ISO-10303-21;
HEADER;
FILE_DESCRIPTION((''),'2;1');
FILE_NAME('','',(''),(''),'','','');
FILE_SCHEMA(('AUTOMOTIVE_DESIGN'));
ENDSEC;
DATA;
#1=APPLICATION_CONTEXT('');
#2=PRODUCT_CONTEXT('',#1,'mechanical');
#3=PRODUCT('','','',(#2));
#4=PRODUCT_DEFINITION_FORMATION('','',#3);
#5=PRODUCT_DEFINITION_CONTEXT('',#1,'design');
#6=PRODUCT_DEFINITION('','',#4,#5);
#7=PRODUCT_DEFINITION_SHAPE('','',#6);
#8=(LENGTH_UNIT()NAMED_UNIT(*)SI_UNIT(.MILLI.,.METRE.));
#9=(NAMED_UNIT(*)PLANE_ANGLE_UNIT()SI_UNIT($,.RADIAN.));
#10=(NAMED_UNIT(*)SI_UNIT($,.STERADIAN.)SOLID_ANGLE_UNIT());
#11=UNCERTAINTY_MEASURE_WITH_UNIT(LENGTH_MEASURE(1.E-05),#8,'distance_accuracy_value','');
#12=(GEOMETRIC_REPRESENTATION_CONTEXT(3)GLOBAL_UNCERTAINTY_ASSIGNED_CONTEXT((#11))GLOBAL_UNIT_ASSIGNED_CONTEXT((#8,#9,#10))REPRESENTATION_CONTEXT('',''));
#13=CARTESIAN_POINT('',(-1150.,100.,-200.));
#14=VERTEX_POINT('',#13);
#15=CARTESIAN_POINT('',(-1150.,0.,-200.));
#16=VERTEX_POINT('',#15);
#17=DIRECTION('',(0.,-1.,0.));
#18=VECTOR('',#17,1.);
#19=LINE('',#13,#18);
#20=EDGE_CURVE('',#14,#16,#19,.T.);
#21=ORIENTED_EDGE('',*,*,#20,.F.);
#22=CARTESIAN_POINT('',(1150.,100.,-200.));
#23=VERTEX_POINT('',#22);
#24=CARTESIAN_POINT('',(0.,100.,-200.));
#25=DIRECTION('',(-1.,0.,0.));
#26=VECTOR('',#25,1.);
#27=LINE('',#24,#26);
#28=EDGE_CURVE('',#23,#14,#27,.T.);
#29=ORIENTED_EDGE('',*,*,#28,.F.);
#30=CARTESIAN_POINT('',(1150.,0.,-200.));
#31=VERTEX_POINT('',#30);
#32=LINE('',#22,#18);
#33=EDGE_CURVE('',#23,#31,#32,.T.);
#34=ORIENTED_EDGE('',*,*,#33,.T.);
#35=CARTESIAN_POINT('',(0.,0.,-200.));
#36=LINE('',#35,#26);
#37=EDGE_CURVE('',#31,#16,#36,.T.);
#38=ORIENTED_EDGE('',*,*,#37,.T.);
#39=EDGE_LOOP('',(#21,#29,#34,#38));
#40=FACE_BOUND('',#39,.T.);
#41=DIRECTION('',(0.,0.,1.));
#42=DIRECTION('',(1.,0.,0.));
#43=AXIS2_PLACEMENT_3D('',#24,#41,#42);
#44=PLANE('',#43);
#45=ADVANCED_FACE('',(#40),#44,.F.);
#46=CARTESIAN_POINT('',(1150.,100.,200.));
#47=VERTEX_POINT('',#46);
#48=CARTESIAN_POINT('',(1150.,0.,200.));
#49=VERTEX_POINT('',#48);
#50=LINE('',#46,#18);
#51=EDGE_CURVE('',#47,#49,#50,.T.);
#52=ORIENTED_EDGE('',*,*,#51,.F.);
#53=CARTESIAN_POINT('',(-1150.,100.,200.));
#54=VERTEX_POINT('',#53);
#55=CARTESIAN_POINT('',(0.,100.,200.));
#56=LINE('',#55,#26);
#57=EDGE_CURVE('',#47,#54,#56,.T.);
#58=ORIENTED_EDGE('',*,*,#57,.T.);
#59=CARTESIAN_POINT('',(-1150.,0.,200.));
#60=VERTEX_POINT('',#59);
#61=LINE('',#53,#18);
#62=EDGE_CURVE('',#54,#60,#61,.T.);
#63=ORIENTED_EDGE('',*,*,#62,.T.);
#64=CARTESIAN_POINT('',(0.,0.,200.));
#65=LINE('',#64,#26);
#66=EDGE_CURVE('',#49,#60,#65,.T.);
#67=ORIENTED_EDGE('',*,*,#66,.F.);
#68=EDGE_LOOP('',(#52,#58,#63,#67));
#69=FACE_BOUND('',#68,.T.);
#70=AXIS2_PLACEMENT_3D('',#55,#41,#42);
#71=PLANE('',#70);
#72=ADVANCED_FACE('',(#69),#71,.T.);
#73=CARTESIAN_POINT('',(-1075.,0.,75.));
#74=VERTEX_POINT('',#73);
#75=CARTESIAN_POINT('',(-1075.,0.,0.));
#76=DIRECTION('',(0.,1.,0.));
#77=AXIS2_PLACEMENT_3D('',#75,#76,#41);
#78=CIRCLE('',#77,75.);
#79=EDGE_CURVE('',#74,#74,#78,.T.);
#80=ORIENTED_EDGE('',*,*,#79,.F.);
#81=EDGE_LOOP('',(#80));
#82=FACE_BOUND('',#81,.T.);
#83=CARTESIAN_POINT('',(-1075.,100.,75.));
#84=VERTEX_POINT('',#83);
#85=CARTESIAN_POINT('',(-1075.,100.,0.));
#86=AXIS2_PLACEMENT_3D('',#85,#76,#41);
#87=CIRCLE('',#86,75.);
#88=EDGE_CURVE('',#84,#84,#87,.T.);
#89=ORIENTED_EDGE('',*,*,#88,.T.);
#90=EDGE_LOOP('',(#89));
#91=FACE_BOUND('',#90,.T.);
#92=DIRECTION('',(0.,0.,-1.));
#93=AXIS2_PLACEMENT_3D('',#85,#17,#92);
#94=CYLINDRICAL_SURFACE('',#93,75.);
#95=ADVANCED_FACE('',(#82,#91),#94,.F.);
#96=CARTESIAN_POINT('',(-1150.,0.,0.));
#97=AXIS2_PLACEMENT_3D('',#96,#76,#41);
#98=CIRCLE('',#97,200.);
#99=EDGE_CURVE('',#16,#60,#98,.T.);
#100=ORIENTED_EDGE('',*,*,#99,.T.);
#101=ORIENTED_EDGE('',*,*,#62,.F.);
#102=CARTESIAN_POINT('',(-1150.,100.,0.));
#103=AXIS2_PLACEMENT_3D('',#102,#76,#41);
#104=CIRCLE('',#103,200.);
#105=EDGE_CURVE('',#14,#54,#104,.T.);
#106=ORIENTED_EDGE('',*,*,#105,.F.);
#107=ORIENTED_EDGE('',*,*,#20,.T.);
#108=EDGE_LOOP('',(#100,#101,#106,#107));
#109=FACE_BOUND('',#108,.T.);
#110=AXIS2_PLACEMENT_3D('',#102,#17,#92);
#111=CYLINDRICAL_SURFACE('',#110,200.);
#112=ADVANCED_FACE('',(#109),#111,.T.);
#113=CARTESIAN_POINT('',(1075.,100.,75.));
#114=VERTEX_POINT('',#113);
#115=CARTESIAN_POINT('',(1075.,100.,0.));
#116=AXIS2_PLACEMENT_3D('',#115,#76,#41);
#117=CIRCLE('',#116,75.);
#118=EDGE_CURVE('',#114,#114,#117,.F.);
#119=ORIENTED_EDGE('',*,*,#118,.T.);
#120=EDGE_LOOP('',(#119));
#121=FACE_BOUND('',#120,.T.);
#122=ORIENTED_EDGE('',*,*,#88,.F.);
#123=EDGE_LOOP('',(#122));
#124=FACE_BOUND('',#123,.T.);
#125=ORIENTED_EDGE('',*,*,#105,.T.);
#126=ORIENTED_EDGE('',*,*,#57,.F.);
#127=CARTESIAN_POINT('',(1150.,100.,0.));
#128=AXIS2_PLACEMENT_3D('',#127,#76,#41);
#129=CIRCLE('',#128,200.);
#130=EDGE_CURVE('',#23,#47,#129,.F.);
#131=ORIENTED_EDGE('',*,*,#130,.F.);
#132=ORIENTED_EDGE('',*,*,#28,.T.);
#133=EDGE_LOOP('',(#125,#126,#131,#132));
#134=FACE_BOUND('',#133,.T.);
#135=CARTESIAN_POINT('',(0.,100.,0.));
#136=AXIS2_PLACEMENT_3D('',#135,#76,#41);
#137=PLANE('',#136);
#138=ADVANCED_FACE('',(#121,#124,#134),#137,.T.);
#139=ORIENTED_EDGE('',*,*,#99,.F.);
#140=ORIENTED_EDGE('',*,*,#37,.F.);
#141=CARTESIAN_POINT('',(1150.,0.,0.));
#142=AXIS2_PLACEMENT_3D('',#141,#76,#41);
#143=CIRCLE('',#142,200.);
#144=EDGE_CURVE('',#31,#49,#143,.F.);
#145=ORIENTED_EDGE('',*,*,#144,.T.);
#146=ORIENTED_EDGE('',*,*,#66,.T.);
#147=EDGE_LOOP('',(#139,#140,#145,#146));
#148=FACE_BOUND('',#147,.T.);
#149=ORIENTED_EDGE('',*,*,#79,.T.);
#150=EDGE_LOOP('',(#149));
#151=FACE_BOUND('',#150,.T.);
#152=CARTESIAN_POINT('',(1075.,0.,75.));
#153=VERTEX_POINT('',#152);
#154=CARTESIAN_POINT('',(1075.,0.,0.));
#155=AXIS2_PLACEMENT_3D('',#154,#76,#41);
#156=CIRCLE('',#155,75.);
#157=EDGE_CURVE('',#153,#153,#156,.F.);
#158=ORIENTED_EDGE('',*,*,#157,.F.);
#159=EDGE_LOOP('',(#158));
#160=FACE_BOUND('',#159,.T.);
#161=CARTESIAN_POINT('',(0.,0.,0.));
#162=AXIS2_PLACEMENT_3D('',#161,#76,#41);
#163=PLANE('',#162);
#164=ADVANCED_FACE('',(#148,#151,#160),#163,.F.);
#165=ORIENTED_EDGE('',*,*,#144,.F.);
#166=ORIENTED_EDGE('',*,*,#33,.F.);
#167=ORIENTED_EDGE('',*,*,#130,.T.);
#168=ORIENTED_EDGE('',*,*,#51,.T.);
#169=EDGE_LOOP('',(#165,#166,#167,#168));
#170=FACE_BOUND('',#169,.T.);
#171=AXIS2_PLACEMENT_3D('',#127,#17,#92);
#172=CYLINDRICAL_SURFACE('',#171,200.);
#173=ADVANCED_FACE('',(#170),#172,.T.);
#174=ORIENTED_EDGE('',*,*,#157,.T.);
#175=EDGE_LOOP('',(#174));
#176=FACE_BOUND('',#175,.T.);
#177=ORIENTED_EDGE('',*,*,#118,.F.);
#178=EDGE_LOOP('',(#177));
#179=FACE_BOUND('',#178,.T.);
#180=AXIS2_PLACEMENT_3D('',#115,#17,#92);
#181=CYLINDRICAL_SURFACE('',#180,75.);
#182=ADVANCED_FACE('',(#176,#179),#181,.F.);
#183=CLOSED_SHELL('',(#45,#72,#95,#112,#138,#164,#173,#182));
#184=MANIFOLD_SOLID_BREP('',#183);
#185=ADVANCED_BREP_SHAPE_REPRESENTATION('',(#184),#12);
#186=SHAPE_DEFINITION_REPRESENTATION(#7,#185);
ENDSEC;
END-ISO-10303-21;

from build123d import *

# Parameters (mm, degrees)
SKETCH1_R           = 75
BOSS_EXTRUDE1_DEPTH = 100


with BuildPart() as part:
    # Sketch1 → Boss-Extrude1 (new body)
    with BuildSketch(Plane(origin=(0, 0, 0), x_dir=(1, 0, 0), z_dir=(0, 1, 0))):
        with BuildLine():
            Line((1150, -200), (-1150, -200))
            ThreePointArc((-1150, -200), (-1350, 0), (-1150, 200))
            Line((-1150, 200), (1150, 200))
            ThreePointArc((1150, 200), (1350, 0), (1150, -200))
        make_face()
        with Locations(Location((-1075, 0, 0), (0, 0, 270))):
            Circle(SKETCH1_R, mode=Mode.SUBTRACT)
        with Locations(Location((1075, 0, 0), (0, 0, 270))):
            Circle(SKETCH1_R, mode=Mode.SUBTRACT)
    extrude(amount=BOSS_EXTRUDE1_DEPTH)


solid = part.part
